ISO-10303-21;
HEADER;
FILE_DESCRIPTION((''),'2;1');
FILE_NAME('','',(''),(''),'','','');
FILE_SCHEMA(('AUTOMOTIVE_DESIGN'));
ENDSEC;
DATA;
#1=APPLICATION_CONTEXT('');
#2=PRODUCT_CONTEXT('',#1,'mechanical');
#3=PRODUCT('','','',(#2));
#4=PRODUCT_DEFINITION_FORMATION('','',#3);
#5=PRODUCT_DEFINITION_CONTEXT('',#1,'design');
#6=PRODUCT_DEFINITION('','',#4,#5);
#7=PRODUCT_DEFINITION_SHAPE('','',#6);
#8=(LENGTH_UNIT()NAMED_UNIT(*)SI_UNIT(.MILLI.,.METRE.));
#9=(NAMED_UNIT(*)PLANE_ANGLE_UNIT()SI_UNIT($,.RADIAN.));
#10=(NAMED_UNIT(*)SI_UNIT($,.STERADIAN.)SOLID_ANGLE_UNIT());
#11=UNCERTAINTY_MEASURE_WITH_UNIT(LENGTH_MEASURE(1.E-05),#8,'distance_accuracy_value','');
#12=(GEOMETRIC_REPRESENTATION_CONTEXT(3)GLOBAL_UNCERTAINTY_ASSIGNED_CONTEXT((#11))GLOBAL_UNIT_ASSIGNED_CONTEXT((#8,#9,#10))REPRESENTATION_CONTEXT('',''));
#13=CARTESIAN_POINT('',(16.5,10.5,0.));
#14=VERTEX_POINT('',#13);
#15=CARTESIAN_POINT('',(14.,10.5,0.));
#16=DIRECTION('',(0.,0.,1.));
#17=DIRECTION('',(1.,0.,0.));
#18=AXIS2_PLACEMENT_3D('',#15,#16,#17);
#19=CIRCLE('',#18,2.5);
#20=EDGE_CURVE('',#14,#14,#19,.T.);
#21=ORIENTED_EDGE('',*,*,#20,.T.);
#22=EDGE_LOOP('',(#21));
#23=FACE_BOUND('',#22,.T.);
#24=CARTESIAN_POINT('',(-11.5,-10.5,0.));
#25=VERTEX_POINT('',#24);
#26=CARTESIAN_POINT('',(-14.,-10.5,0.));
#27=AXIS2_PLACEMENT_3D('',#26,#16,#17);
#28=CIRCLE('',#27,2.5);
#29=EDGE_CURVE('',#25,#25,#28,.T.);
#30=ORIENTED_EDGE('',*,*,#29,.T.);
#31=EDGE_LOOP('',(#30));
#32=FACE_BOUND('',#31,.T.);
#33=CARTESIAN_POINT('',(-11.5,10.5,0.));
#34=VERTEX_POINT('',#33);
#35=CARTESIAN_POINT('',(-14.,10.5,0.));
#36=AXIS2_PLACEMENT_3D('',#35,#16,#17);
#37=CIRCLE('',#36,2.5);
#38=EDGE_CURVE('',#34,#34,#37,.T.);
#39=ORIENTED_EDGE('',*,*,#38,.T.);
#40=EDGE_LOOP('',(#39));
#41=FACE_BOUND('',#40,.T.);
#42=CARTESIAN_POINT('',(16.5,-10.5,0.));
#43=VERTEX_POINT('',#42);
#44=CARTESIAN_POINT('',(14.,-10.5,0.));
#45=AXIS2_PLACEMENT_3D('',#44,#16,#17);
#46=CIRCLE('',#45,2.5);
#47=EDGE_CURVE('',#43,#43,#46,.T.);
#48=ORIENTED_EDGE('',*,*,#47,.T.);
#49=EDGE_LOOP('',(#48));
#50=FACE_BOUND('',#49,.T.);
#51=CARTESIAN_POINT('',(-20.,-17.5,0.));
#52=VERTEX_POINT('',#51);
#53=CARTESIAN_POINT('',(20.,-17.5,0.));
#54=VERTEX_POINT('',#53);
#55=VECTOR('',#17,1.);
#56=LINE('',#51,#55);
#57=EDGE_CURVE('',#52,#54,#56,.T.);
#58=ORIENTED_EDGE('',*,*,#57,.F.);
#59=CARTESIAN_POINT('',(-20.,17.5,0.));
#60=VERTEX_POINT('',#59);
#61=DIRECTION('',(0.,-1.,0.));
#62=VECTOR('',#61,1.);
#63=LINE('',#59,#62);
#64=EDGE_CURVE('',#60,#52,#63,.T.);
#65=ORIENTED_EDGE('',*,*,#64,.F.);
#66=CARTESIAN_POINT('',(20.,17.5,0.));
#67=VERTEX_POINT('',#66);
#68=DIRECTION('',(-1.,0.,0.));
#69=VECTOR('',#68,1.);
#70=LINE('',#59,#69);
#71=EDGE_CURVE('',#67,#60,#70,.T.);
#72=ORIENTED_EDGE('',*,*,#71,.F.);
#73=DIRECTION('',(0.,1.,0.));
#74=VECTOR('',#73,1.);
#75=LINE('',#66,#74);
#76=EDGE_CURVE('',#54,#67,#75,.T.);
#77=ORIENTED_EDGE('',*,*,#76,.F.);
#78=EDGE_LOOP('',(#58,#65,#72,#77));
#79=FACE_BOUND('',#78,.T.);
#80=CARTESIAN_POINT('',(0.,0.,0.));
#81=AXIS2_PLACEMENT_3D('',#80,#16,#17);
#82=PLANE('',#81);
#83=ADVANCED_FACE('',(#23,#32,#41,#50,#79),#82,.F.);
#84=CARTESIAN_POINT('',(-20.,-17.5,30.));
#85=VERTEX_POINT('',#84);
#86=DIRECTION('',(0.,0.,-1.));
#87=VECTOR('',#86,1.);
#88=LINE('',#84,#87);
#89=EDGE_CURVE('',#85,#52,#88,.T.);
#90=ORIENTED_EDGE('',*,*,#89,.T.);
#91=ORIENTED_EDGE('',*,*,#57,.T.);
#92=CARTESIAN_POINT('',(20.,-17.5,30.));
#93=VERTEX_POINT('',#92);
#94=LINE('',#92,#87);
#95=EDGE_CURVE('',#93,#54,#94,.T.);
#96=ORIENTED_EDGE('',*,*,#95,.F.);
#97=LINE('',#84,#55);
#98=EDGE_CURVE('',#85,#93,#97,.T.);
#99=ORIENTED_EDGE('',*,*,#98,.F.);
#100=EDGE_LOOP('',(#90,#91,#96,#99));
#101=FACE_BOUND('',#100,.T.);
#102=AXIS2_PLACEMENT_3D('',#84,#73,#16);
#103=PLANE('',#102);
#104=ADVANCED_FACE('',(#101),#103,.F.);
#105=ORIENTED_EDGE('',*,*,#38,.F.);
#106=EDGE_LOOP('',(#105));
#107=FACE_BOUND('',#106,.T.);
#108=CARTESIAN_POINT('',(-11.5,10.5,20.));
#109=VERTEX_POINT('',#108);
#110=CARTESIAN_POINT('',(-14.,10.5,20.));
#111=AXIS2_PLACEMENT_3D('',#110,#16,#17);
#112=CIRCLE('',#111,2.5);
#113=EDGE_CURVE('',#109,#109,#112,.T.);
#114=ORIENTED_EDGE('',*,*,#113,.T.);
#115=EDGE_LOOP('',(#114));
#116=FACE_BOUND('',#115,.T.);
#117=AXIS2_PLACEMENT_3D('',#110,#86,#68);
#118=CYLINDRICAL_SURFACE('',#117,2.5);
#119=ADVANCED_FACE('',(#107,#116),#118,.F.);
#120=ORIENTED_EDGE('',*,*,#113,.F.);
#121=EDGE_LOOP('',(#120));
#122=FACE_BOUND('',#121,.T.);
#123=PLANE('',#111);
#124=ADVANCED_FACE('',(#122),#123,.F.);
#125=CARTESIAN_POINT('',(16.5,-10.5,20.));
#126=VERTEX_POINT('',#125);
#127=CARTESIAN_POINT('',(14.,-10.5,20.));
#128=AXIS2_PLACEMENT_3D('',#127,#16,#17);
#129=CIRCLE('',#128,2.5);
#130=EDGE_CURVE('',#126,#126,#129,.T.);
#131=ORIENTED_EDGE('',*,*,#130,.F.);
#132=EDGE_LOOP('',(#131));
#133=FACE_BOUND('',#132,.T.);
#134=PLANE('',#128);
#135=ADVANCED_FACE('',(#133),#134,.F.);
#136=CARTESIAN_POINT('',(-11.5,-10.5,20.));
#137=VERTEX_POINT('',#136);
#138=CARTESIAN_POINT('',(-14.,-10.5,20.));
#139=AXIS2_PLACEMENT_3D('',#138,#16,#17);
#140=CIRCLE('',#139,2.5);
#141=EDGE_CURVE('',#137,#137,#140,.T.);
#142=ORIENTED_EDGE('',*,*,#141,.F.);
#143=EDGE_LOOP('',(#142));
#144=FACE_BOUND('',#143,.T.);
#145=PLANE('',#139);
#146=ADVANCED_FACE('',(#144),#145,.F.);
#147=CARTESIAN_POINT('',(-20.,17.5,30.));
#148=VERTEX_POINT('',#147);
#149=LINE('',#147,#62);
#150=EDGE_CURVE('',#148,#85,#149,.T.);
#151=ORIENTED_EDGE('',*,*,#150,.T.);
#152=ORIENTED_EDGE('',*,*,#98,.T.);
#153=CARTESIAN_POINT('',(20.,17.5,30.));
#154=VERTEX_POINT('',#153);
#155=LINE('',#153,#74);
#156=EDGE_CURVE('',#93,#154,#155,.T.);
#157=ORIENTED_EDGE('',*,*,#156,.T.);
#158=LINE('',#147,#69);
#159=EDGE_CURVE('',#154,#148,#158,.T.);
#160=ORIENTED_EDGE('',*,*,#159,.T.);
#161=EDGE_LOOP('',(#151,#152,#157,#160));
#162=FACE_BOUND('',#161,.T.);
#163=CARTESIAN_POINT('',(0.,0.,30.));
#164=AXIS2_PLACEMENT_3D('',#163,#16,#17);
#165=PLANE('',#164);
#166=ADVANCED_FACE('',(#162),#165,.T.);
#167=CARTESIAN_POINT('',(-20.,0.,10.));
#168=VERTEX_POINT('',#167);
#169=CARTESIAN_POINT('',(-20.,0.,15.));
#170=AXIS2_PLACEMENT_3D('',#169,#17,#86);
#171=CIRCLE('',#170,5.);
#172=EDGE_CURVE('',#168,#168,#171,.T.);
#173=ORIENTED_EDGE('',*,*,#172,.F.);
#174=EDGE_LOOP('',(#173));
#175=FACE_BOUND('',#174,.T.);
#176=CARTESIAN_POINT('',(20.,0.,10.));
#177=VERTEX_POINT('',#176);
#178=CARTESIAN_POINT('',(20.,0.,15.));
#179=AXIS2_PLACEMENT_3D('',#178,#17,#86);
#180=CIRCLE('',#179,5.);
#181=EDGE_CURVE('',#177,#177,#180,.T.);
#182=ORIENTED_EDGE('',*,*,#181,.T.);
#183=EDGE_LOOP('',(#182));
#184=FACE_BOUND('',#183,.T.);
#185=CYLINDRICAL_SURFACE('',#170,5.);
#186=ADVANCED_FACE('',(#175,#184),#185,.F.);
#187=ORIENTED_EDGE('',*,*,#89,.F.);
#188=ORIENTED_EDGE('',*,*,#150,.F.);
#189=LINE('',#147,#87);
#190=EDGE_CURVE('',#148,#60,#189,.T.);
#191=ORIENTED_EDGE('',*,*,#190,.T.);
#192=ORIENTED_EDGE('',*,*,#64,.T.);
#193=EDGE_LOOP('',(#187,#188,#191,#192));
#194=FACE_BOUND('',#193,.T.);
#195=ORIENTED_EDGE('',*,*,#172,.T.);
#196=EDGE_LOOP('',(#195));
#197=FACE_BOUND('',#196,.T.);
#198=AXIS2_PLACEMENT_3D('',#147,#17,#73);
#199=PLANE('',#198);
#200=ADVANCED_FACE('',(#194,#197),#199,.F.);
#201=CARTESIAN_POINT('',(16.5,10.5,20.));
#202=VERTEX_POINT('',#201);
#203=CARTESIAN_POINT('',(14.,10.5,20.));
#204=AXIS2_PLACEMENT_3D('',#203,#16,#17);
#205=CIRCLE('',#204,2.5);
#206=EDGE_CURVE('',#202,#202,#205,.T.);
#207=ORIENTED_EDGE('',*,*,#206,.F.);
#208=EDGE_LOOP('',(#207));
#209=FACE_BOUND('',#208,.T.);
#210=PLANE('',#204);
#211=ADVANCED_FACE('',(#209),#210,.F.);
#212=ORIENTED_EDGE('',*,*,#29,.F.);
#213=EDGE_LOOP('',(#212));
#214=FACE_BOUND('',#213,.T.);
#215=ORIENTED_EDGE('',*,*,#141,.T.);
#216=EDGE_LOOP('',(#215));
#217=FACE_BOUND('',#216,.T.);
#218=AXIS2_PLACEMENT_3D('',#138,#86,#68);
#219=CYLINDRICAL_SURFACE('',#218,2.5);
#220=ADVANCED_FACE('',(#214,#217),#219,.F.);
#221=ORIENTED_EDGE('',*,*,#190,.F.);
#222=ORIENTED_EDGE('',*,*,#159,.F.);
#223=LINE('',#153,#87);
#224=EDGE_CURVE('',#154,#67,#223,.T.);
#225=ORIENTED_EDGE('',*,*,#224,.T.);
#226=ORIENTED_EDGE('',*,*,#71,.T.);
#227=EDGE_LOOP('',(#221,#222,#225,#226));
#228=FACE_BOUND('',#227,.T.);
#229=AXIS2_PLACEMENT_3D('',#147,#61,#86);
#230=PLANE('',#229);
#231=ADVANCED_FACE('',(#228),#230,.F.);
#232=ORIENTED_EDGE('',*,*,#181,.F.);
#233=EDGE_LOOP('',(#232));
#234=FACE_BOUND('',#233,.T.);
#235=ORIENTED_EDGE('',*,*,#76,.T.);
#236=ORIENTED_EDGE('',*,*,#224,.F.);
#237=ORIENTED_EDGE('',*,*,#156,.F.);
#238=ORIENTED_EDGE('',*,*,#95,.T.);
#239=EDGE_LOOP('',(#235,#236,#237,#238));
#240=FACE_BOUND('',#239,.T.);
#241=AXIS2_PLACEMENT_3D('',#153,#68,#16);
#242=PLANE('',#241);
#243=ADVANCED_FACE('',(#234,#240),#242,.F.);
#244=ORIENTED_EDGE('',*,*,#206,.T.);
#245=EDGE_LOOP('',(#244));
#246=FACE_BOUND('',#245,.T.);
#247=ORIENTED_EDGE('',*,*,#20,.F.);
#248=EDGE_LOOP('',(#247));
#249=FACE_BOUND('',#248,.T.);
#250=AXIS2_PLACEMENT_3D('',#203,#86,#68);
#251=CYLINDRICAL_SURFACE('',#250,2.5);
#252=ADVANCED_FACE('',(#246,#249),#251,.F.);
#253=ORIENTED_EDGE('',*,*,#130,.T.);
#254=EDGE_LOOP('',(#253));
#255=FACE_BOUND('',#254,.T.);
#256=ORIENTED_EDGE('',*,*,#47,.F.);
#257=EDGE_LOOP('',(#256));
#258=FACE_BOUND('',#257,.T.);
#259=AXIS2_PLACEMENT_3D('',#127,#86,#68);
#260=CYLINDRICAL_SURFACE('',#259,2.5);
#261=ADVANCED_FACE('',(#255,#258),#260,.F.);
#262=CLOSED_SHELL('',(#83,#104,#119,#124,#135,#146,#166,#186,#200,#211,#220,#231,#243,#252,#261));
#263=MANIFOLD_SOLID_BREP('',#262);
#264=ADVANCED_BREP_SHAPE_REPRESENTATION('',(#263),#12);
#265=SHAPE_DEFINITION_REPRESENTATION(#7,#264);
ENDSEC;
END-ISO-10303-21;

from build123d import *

# Parameters (mm, degrees)
SKETCH_1_W          = 40
SKETCH_1_H          = 35
EXTRUDE_1_DEPTH     = 30
SKETCH_2_R          = 2.5
CUT_EXTRUDE_2_DEPTH = 20
SKETCH_3_R          = 5
CUT_EXTRUDE_3_DEPTH = 53.974050251


with BuildPart() as part:
    # 草图1 → 凸台-拉伸1 (new body)
    with BuildSketch(Plane.XY):
        Rectangle(SKETCH_1_W, SKETCH_1_H)
    extrude(amount=EXTRUDE_1_DEPTH)

    # 草图2 → 切除-拉伸2 (cut)
    with BuildSketch(Plane.XY):
        with Locations((-14, 10.5)):
            Circle(SKETCH_2_R)
        with Locations((14, 10.5)):
            Circle(SKETCH_2_R)
        with Locations((14, -10.5)):
            Circle(SKETCH_2_R)
        with Locations((-14, -10.5)):
            Circle(SKETCH_2_R)
    extrude(amount=CUT_EXTRUDE_2_DEPTH, mode=Mode.SUBTRACT)

    # 草图3 → 切除-拉伸3 (cut, through all)
    with BuildSketch(Plane(origin=(20, 0, 0), x_dir=(0, 0, -1), z_dir=(1, 0, 0))):
        with Locations((-15, 0)):
            Circle(SKETCH_3_R)
    extrude(amount=-CUT_EXTRUDE_3_DEPTH, mode=Mode.SUBTRACT)


solid = part.part
